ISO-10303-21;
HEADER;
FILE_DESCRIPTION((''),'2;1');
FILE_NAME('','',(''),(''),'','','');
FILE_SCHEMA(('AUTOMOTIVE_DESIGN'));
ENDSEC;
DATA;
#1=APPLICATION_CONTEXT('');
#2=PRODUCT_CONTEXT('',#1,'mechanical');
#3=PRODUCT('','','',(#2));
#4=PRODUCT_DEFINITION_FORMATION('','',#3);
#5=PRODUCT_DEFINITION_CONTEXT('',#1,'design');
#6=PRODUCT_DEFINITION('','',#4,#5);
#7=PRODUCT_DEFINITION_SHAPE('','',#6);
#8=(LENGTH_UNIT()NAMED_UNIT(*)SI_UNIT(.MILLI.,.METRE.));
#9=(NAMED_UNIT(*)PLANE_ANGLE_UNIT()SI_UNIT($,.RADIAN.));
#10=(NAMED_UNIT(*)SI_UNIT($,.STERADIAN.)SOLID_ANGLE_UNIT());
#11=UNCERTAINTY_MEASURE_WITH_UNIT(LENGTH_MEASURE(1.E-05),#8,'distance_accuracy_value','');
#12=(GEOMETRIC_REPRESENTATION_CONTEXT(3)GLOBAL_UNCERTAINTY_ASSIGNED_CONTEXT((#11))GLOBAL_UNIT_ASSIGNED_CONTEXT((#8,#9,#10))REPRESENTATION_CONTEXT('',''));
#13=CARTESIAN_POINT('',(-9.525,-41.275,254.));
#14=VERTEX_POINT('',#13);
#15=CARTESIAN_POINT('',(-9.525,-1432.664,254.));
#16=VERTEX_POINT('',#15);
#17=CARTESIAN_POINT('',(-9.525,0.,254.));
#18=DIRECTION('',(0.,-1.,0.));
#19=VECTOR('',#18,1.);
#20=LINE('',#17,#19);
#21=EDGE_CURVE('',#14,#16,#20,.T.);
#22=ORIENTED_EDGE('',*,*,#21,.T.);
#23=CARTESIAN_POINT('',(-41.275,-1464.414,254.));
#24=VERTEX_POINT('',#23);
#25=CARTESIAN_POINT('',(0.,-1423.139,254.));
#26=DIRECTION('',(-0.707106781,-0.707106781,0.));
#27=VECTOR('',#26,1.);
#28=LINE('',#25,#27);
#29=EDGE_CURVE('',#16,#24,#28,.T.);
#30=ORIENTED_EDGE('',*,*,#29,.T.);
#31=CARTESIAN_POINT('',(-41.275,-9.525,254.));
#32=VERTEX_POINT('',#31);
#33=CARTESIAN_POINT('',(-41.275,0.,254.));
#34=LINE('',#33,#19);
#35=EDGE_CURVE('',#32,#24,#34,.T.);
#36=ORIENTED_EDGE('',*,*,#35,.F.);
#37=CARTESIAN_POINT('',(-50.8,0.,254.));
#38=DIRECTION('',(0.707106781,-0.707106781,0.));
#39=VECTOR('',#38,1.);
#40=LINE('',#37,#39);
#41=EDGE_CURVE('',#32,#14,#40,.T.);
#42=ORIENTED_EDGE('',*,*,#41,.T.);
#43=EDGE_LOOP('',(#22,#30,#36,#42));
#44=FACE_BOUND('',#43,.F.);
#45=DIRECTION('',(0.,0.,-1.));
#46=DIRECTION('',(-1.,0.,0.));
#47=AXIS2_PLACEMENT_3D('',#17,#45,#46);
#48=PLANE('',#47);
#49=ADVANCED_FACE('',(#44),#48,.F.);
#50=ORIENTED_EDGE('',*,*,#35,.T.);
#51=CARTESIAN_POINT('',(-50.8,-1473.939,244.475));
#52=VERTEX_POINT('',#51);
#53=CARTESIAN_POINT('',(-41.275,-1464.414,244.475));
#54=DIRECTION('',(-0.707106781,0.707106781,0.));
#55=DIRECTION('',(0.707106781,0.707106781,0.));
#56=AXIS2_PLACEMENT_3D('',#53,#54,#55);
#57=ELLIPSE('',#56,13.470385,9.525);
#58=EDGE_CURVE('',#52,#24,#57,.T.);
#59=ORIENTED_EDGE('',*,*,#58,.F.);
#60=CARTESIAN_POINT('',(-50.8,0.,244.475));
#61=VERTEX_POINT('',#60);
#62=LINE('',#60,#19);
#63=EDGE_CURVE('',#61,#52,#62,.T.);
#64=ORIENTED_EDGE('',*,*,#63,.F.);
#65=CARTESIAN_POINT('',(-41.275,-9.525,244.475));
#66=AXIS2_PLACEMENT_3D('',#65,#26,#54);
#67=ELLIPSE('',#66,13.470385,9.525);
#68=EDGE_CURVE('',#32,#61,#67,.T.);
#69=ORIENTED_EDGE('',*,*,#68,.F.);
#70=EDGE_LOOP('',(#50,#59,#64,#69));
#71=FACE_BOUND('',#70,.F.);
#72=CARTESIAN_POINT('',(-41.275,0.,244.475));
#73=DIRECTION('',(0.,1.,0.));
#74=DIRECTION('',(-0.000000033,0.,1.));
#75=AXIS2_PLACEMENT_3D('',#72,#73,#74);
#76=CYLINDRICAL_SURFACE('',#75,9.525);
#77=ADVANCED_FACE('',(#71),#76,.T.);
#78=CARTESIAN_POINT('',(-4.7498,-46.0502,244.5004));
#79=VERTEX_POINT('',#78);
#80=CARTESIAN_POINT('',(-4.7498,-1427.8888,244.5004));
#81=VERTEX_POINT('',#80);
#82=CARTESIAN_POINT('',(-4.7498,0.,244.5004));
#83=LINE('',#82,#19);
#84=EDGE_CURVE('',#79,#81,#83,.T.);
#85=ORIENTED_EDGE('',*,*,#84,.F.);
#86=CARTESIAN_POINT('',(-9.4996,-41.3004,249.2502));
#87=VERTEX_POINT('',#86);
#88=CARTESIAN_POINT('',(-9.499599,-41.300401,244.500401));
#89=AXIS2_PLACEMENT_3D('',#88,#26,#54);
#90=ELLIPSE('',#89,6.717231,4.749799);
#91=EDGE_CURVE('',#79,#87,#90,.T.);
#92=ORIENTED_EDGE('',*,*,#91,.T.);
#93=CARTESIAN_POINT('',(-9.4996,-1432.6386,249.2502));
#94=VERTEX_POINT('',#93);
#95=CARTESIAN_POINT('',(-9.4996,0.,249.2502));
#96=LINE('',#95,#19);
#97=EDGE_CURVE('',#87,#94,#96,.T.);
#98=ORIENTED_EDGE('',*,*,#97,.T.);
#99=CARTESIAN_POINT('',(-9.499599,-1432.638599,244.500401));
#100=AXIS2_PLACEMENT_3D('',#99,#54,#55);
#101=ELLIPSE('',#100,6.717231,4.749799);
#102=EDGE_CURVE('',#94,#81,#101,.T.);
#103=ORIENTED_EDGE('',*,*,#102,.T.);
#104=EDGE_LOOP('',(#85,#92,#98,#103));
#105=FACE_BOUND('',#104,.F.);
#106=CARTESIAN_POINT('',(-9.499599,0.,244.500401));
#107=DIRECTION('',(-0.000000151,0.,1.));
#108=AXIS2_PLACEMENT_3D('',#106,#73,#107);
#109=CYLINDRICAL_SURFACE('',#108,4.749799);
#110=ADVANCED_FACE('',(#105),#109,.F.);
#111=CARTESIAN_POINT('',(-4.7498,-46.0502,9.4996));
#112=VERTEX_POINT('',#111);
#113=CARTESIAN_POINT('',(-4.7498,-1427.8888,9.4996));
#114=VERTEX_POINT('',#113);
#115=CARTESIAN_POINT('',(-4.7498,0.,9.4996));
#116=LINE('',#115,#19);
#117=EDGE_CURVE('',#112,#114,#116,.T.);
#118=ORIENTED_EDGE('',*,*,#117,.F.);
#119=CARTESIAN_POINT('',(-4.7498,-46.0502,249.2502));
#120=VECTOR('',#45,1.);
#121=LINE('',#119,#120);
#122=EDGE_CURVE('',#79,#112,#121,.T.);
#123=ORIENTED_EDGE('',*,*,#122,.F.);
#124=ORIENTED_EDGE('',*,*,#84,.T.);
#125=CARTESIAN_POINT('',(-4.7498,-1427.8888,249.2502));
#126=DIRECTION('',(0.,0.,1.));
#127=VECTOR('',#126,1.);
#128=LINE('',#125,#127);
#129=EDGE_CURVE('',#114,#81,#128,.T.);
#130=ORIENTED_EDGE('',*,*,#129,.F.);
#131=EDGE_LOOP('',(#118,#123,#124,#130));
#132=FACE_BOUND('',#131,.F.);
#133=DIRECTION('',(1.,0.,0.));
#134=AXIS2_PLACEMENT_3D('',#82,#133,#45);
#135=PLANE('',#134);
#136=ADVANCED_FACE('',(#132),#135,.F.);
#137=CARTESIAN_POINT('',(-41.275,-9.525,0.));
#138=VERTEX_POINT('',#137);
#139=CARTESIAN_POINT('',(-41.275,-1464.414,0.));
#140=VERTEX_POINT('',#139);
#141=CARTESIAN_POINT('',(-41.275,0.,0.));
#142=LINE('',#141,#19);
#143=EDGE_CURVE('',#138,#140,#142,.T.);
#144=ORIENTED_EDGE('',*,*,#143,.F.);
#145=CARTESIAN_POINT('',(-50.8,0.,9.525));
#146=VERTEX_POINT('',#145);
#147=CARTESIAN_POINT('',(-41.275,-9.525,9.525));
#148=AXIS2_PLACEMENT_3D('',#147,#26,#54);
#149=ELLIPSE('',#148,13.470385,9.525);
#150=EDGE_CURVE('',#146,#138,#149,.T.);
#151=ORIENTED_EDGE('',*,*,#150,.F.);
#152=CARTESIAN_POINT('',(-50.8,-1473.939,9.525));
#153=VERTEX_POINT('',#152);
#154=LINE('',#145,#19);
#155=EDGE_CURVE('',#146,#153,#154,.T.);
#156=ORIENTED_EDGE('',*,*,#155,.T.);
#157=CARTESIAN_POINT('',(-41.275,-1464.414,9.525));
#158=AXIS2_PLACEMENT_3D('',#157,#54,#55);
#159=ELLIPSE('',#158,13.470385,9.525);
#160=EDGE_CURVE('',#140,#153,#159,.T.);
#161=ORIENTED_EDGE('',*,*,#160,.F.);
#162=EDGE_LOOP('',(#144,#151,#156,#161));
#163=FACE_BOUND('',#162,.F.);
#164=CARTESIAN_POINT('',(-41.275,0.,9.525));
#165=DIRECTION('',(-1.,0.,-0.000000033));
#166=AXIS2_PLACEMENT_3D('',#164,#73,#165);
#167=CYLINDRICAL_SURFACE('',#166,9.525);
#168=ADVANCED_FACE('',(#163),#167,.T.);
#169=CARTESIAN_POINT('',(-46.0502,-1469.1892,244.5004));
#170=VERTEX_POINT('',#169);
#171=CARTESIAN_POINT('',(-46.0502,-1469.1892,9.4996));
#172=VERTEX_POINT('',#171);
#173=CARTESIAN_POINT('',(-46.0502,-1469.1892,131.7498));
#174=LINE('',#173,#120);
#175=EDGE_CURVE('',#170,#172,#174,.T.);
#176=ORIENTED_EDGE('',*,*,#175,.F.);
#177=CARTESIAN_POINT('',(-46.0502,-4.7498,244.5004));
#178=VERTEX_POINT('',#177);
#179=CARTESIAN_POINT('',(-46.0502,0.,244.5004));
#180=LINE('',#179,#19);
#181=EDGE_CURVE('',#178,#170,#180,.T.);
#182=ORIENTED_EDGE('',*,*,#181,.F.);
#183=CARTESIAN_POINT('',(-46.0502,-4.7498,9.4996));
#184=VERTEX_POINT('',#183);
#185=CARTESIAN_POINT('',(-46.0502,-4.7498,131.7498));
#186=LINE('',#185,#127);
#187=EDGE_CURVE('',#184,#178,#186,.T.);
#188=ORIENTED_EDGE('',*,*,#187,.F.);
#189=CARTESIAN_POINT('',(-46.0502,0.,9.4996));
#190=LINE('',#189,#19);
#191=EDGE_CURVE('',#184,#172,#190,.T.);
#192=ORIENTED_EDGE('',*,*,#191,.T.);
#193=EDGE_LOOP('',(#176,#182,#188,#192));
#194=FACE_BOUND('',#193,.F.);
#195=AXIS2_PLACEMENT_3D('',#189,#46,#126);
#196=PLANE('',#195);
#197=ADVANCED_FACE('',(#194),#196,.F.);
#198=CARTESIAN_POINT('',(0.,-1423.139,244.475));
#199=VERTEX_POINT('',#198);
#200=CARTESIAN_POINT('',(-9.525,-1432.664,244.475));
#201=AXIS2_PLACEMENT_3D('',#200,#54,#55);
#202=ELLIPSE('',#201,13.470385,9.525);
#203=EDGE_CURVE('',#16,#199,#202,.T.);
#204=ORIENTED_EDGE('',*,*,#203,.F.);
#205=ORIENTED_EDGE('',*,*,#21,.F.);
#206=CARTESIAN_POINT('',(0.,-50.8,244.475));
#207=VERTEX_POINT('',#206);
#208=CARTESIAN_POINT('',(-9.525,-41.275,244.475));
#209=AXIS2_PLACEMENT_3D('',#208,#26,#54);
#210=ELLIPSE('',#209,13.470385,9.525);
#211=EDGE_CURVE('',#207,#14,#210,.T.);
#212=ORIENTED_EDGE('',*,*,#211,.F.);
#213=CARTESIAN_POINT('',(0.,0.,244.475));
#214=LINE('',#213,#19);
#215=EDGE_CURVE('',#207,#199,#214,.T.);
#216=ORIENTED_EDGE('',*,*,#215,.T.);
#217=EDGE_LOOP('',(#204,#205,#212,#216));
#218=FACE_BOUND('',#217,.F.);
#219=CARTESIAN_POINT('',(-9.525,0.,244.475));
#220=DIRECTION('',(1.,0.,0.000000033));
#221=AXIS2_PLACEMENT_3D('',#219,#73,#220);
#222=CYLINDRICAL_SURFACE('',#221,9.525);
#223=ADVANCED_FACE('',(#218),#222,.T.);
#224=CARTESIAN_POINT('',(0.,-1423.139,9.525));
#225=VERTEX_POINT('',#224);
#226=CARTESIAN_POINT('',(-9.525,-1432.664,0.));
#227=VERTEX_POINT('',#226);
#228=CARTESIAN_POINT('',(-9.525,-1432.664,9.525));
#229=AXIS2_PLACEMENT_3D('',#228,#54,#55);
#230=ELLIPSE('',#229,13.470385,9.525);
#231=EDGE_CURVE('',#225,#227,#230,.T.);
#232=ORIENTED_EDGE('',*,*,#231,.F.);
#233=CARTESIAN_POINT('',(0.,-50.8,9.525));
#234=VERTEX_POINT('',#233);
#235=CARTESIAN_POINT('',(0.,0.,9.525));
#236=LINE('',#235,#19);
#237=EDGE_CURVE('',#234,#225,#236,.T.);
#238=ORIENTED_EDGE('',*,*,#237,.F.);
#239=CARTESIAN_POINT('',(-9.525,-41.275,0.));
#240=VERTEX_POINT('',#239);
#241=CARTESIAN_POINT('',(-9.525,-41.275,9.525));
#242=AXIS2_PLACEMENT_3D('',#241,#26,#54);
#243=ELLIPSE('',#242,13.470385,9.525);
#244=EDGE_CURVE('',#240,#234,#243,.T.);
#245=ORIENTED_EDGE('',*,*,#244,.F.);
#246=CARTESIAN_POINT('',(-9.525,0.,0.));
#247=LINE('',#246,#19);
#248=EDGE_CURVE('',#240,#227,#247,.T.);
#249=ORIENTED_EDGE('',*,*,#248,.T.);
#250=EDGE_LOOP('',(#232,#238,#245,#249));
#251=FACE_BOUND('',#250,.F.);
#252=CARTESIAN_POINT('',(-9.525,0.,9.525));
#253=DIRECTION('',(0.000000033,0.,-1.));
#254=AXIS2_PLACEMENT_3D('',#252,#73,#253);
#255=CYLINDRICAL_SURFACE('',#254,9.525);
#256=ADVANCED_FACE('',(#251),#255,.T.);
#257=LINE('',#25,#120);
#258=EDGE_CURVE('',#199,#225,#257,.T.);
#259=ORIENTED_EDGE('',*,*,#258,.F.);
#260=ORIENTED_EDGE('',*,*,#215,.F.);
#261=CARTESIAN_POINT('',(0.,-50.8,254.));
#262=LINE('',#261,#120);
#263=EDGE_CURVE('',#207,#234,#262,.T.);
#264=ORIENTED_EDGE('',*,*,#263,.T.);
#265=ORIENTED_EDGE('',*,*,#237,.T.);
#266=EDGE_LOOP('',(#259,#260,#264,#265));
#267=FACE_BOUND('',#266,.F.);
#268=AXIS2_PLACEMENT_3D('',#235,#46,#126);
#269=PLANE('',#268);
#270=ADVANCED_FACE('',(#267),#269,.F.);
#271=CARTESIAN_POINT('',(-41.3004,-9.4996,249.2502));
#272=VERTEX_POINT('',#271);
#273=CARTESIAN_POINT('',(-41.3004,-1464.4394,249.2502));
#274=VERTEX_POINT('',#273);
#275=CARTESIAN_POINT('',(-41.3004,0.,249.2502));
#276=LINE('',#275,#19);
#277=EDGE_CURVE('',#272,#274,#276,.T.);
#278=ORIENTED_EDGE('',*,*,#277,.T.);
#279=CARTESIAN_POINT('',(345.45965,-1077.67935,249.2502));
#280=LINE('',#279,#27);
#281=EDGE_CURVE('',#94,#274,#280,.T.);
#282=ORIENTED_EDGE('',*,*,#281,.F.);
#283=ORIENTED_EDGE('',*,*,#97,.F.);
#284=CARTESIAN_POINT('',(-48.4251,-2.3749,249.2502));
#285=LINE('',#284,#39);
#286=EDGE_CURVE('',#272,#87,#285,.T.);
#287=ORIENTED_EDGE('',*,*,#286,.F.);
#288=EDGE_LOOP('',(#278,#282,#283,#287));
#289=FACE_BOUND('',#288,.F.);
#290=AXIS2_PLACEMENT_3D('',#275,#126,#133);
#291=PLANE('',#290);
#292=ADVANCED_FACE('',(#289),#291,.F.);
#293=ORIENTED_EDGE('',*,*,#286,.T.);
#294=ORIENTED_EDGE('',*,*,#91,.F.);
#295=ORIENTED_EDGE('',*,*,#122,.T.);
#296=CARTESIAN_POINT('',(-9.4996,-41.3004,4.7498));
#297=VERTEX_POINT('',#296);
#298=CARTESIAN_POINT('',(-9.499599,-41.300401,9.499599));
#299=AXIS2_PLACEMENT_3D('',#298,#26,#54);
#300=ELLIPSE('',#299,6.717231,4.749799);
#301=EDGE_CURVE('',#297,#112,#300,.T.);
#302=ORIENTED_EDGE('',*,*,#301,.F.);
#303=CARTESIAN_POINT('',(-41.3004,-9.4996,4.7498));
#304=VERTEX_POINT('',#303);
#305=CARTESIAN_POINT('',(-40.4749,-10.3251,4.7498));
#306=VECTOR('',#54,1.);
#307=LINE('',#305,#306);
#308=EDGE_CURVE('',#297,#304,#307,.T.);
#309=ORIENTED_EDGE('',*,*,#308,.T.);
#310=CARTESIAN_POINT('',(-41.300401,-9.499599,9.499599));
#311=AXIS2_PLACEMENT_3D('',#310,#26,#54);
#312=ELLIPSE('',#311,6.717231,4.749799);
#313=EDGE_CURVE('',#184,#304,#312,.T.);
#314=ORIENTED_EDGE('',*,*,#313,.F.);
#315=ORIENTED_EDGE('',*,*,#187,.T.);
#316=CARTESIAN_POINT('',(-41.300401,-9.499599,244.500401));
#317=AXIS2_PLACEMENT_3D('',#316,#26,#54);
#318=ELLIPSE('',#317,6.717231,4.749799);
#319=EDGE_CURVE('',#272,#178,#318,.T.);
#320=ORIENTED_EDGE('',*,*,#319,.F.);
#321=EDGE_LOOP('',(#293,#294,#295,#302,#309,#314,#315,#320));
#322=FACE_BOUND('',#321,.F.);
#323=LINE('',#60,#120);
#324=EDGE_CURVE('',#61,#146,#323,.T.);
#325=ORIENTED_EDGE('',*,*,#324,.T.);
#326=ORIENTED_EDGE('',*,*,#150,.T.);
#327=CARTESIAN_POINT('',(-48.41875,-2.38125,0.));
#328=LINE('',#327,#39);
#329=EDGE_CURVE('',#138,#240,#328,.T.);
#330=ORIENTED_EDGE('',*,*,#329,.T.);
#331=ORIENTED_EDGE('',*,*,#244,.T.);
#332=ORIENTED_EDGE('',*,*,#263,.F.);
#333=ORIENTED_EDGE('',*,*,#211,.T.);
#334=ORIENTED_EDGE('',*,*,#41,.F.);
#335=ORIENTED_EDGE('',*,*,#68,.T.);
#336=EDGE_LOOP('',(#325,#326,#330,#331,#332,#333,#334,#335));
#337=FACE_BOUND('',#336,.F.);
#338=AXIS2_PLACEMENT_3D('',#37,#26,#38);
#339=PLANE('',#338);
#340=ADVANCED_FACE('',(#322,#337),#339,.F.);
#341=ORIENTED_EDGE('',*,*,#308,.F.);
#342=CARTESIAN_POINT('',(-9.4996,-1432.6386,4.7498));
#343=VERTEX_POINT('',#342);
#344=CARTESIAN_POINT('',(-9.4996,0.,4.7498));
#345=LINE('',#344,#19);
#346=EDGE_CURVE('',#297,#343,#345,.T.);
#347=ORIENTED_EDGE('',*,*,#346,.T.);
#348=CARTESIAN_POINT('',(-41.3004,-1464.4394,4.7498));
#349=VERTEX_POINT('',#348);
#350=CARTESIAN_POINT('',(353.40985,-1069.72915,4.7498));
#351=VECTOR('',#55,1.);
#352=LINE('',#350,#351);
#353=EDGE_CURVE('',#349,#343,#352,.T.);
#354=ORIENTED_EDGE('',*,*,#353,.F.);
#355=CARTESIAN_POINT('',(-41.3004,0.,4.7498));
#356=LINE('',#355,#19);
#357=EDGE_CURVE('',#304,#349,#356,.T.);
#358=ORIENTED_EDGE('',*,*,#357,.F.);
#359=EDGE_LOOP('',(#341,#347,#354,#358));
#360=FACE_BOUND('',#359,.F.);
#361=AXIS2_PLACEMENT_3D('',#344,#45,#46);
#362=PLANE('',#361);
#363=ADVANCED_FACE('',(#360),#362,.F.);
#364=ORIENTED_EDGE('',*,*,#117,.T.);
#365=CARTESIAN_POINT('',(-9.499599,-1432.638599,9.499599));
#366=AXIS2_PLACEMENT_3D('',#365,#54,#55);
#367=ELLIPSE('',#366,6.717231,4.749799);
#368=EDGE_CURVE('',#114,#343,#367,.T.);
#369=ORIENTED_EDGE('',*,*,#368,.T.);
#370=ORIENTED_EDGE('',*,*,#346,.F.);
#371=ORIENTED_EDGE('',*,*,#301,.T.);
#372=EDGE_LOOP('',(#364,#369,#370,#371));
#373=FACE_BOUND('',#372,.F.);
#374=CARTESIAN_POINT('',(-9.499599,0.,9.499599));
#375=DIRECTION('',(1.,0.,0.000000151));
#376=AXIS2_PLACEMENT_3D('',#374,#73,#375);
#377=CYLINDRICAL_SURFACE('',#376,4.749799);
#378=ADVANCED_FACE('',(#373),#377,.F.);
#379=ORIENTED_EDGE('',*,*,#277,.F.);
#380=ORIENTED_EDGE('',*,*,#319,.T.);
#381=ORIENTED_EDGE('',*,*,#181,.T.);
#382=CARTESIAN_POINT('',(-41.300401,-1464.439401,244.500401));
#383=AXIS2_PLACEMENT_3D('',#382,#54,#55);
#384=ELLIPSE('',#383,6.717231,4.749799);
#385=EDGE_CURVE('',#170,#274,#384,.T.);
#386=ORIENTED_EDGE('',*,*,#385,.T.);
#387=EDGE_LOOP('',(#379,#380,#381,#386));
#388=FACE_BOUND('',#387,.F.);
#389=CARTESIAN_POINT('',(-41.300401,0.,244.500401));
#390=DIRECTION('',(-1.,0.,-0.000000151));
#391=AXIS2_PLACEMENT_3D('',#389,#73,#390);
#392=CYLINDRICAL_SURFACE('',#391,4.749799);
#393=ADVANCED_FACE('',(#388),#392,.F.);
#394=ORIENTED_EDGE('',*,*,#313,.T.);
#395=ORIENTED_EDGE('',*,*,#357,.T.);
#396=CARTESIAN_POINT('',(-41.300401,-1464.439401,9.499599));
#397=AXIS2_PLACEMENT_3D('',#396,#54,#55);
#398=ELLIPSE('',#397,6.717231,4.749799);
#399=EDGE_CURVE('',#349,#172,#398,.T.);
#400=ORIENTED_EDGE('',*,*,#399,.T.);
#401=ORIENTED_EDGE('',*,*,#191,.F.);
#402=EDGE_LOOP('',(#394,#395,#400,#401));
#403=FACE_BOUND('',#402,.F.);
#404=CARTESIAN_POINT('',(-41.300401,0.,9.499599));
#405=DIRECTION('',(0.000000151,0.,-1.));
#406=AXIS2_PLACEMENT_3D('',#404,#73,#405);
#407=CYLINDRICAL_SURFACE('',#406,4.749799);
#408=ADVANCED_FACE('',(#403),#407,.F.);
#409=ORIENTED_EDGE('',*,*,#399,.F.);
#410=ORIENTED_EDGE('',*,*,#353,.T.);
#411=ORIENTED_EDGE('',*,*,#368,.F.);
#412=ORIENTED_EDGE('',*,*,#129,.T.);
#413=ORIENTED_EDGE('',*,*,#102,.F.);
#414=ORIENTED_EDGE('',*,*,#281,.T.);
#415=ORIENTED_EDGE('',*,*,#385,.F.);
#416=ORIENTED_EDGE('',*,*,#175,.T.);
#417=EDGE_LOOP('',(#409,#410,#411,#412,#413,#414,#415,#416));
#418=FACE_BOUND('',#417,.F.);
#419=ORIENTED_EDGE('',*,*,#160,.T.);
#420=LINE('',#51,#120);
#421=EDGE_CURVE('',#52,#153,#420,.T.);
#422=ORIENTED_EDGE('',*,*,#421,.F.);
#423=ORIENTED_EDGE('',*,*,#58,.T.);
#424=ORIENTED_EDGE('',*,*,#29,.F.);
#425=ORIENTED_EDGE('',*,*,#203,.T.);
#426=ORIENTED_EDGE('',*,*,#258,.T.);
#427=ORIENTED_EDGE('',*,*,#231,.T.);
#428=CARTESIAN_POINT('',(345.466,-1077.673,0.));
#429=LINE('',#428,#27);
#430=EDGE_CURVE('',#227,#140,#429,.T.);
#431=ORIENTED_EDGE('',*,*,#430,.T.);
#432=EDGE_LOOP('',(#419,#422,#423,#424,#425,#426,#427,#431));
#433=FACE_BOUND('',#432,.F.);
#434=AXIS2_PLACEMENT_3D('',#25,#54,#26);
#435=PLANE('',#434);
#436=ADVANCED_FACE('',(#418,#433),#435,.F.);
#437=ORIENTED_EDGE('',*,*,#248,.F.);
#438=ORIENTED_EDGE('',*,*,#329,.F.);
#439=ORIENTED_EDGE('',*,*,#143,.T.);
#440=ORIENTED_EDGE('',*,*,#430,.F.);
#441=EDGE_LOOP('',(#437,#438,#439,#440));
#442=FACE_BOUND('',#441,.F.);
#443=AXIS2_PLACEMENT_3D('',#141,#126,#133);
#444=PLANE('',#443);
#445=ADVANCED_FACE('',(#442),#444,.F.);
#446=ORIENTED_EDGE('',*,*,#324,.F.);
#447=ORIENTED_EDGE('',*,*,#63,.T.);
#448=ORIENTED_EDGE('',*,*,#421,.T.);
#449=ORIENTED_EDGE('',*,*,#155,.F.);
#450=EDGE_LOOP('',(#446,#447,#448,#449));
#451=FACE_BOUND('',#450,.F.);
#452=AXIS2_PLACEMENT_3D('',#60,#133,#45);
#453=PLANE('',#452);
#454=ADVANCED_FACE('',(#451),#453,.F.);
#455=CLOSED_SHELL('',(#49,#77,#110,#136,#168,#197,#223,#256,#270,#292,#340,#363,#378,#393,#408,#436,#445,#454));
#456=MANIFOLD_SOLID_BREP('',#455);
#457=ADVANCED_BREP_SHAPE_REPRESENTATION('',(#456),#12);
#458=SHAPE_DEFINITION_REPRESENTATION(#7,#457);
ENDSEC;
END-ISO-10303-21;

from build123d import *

# Parameters (mm, degrees)
F1_DEPTH = 1473.939
F3_DEPTH = 254.001
F5_DEPTH = 6.35


with BuildPart() as f1:
    # F0 (on Front) → F1 (new body)
    with BuildSketch(Plane.XZ):
        with BuildLine():
            Line((-41.275, 0), (-9.525, 0))
            ThreePointArc((-9.525, 0), (-2.789808, 2.789808), (0, 9.525))
            Line((0, 9.525), (0, 244.475))
            ThreePointArc((0, 244.475), (-2.789808, 251.210192), (-9.525, 254))
            Line((-9.525, 254), (-41.275, 254))
            ThreePointArc((-41.275, 254), (-48.010192, 251.210192), (-50.8, 244.475))
            Line((-50.8, 244.475), (-50.8, 9.525))
            ThreePointArc((-50.8, 9.525), (-48.010192, 2.789808), (-41.275, 0))
        make_face()
        with BuildLine():
            ThreePointArc((-46.0502, 244.5004), (-44.659016, 247.859016), (-41.3004, 249.2502))
            Line((-41.3004, 249.2502), (-9.4996, 249.2502))
            ThreePointArc((-9.4996, 249.2502), (-6.140984, 247.859016), (-4.7498, 244.5004))
            Line((-4.7498, 244.5004), (-4.7498, 9.4996))
            ThreePointArc((-4.7498, 9.4996), (-6.140984, 6.140984), (-9.4996, 4.7498))
            Line((-9.4996, 4.7498), (-41.3004, 4.7498))
            ThreePointArc((-41.3004, 4.7498), (-44.659016, 6.140984), (-46.0502, 9.4996))
            Line((-46.0502, 9.4996), (-46.0502, 244.5004))
        make_face(mode=Mode.SUBTRACT)
    extrude(amount=F1_DEPTH)

    # F2 (on face) → F3 (cut, through all)
    with BuildSketch(Plane.XY.offset(254)):
        Polygon((0, -1423.139), (-50.8, -1473.939), (0, -1473.939), align=None)
        Polygon((0, 0), (-50.8, 0), (0, -50.8), align=None)
    extrude(amount=-F3_DEPTH, mode=Mode.SUBTRACT)


with BuildPart() as f5:
    # F4 (on face) → F5 (new body)
    with BuildSketch(Plane.YZ):
        with BuildLine():
            ThreePointArc((-262.900179, 386.417484), (-267.477327, 385.56399), (-271.439268, 383.118226))
            Line((-271.439268, 383.118226), (-298.414744, 358.615267))
            ThreePointArc((-298.414744, 358.615267), (-301.488932, 354.354737), (-302.575654, 349.214525))
            Line((-302.575654, 349.214525), (-302.575654, 238.994726))
            ThreePointArc((-302.575654, 238.994726), (-298.85591, 230.01447), (-289.875654, 226.294726))
            Line((-289.875654, 226.294726), (-220.098802, 226.294726))
            ThreePointArc((-220.098802, 226.294726), (-211.118546, 230.01447), (-207.398802, 238.994726))
            Line((-207.398802, 238.994726), (-207.398802, 373.717484))
            ThreePointArc((-207.398802, 373.717484), (-211.118546, 382.69774), (-220.098802, 386.417484))
            Line((-220.098802, 386.417484), (-262.900179, 386.417484))
        make_face()
    extrude(amount=F5_DEPTH)


with BuildPart() as f6_1:
    # F6: copy of F5
    add(f5.part)


solid = f1.part
